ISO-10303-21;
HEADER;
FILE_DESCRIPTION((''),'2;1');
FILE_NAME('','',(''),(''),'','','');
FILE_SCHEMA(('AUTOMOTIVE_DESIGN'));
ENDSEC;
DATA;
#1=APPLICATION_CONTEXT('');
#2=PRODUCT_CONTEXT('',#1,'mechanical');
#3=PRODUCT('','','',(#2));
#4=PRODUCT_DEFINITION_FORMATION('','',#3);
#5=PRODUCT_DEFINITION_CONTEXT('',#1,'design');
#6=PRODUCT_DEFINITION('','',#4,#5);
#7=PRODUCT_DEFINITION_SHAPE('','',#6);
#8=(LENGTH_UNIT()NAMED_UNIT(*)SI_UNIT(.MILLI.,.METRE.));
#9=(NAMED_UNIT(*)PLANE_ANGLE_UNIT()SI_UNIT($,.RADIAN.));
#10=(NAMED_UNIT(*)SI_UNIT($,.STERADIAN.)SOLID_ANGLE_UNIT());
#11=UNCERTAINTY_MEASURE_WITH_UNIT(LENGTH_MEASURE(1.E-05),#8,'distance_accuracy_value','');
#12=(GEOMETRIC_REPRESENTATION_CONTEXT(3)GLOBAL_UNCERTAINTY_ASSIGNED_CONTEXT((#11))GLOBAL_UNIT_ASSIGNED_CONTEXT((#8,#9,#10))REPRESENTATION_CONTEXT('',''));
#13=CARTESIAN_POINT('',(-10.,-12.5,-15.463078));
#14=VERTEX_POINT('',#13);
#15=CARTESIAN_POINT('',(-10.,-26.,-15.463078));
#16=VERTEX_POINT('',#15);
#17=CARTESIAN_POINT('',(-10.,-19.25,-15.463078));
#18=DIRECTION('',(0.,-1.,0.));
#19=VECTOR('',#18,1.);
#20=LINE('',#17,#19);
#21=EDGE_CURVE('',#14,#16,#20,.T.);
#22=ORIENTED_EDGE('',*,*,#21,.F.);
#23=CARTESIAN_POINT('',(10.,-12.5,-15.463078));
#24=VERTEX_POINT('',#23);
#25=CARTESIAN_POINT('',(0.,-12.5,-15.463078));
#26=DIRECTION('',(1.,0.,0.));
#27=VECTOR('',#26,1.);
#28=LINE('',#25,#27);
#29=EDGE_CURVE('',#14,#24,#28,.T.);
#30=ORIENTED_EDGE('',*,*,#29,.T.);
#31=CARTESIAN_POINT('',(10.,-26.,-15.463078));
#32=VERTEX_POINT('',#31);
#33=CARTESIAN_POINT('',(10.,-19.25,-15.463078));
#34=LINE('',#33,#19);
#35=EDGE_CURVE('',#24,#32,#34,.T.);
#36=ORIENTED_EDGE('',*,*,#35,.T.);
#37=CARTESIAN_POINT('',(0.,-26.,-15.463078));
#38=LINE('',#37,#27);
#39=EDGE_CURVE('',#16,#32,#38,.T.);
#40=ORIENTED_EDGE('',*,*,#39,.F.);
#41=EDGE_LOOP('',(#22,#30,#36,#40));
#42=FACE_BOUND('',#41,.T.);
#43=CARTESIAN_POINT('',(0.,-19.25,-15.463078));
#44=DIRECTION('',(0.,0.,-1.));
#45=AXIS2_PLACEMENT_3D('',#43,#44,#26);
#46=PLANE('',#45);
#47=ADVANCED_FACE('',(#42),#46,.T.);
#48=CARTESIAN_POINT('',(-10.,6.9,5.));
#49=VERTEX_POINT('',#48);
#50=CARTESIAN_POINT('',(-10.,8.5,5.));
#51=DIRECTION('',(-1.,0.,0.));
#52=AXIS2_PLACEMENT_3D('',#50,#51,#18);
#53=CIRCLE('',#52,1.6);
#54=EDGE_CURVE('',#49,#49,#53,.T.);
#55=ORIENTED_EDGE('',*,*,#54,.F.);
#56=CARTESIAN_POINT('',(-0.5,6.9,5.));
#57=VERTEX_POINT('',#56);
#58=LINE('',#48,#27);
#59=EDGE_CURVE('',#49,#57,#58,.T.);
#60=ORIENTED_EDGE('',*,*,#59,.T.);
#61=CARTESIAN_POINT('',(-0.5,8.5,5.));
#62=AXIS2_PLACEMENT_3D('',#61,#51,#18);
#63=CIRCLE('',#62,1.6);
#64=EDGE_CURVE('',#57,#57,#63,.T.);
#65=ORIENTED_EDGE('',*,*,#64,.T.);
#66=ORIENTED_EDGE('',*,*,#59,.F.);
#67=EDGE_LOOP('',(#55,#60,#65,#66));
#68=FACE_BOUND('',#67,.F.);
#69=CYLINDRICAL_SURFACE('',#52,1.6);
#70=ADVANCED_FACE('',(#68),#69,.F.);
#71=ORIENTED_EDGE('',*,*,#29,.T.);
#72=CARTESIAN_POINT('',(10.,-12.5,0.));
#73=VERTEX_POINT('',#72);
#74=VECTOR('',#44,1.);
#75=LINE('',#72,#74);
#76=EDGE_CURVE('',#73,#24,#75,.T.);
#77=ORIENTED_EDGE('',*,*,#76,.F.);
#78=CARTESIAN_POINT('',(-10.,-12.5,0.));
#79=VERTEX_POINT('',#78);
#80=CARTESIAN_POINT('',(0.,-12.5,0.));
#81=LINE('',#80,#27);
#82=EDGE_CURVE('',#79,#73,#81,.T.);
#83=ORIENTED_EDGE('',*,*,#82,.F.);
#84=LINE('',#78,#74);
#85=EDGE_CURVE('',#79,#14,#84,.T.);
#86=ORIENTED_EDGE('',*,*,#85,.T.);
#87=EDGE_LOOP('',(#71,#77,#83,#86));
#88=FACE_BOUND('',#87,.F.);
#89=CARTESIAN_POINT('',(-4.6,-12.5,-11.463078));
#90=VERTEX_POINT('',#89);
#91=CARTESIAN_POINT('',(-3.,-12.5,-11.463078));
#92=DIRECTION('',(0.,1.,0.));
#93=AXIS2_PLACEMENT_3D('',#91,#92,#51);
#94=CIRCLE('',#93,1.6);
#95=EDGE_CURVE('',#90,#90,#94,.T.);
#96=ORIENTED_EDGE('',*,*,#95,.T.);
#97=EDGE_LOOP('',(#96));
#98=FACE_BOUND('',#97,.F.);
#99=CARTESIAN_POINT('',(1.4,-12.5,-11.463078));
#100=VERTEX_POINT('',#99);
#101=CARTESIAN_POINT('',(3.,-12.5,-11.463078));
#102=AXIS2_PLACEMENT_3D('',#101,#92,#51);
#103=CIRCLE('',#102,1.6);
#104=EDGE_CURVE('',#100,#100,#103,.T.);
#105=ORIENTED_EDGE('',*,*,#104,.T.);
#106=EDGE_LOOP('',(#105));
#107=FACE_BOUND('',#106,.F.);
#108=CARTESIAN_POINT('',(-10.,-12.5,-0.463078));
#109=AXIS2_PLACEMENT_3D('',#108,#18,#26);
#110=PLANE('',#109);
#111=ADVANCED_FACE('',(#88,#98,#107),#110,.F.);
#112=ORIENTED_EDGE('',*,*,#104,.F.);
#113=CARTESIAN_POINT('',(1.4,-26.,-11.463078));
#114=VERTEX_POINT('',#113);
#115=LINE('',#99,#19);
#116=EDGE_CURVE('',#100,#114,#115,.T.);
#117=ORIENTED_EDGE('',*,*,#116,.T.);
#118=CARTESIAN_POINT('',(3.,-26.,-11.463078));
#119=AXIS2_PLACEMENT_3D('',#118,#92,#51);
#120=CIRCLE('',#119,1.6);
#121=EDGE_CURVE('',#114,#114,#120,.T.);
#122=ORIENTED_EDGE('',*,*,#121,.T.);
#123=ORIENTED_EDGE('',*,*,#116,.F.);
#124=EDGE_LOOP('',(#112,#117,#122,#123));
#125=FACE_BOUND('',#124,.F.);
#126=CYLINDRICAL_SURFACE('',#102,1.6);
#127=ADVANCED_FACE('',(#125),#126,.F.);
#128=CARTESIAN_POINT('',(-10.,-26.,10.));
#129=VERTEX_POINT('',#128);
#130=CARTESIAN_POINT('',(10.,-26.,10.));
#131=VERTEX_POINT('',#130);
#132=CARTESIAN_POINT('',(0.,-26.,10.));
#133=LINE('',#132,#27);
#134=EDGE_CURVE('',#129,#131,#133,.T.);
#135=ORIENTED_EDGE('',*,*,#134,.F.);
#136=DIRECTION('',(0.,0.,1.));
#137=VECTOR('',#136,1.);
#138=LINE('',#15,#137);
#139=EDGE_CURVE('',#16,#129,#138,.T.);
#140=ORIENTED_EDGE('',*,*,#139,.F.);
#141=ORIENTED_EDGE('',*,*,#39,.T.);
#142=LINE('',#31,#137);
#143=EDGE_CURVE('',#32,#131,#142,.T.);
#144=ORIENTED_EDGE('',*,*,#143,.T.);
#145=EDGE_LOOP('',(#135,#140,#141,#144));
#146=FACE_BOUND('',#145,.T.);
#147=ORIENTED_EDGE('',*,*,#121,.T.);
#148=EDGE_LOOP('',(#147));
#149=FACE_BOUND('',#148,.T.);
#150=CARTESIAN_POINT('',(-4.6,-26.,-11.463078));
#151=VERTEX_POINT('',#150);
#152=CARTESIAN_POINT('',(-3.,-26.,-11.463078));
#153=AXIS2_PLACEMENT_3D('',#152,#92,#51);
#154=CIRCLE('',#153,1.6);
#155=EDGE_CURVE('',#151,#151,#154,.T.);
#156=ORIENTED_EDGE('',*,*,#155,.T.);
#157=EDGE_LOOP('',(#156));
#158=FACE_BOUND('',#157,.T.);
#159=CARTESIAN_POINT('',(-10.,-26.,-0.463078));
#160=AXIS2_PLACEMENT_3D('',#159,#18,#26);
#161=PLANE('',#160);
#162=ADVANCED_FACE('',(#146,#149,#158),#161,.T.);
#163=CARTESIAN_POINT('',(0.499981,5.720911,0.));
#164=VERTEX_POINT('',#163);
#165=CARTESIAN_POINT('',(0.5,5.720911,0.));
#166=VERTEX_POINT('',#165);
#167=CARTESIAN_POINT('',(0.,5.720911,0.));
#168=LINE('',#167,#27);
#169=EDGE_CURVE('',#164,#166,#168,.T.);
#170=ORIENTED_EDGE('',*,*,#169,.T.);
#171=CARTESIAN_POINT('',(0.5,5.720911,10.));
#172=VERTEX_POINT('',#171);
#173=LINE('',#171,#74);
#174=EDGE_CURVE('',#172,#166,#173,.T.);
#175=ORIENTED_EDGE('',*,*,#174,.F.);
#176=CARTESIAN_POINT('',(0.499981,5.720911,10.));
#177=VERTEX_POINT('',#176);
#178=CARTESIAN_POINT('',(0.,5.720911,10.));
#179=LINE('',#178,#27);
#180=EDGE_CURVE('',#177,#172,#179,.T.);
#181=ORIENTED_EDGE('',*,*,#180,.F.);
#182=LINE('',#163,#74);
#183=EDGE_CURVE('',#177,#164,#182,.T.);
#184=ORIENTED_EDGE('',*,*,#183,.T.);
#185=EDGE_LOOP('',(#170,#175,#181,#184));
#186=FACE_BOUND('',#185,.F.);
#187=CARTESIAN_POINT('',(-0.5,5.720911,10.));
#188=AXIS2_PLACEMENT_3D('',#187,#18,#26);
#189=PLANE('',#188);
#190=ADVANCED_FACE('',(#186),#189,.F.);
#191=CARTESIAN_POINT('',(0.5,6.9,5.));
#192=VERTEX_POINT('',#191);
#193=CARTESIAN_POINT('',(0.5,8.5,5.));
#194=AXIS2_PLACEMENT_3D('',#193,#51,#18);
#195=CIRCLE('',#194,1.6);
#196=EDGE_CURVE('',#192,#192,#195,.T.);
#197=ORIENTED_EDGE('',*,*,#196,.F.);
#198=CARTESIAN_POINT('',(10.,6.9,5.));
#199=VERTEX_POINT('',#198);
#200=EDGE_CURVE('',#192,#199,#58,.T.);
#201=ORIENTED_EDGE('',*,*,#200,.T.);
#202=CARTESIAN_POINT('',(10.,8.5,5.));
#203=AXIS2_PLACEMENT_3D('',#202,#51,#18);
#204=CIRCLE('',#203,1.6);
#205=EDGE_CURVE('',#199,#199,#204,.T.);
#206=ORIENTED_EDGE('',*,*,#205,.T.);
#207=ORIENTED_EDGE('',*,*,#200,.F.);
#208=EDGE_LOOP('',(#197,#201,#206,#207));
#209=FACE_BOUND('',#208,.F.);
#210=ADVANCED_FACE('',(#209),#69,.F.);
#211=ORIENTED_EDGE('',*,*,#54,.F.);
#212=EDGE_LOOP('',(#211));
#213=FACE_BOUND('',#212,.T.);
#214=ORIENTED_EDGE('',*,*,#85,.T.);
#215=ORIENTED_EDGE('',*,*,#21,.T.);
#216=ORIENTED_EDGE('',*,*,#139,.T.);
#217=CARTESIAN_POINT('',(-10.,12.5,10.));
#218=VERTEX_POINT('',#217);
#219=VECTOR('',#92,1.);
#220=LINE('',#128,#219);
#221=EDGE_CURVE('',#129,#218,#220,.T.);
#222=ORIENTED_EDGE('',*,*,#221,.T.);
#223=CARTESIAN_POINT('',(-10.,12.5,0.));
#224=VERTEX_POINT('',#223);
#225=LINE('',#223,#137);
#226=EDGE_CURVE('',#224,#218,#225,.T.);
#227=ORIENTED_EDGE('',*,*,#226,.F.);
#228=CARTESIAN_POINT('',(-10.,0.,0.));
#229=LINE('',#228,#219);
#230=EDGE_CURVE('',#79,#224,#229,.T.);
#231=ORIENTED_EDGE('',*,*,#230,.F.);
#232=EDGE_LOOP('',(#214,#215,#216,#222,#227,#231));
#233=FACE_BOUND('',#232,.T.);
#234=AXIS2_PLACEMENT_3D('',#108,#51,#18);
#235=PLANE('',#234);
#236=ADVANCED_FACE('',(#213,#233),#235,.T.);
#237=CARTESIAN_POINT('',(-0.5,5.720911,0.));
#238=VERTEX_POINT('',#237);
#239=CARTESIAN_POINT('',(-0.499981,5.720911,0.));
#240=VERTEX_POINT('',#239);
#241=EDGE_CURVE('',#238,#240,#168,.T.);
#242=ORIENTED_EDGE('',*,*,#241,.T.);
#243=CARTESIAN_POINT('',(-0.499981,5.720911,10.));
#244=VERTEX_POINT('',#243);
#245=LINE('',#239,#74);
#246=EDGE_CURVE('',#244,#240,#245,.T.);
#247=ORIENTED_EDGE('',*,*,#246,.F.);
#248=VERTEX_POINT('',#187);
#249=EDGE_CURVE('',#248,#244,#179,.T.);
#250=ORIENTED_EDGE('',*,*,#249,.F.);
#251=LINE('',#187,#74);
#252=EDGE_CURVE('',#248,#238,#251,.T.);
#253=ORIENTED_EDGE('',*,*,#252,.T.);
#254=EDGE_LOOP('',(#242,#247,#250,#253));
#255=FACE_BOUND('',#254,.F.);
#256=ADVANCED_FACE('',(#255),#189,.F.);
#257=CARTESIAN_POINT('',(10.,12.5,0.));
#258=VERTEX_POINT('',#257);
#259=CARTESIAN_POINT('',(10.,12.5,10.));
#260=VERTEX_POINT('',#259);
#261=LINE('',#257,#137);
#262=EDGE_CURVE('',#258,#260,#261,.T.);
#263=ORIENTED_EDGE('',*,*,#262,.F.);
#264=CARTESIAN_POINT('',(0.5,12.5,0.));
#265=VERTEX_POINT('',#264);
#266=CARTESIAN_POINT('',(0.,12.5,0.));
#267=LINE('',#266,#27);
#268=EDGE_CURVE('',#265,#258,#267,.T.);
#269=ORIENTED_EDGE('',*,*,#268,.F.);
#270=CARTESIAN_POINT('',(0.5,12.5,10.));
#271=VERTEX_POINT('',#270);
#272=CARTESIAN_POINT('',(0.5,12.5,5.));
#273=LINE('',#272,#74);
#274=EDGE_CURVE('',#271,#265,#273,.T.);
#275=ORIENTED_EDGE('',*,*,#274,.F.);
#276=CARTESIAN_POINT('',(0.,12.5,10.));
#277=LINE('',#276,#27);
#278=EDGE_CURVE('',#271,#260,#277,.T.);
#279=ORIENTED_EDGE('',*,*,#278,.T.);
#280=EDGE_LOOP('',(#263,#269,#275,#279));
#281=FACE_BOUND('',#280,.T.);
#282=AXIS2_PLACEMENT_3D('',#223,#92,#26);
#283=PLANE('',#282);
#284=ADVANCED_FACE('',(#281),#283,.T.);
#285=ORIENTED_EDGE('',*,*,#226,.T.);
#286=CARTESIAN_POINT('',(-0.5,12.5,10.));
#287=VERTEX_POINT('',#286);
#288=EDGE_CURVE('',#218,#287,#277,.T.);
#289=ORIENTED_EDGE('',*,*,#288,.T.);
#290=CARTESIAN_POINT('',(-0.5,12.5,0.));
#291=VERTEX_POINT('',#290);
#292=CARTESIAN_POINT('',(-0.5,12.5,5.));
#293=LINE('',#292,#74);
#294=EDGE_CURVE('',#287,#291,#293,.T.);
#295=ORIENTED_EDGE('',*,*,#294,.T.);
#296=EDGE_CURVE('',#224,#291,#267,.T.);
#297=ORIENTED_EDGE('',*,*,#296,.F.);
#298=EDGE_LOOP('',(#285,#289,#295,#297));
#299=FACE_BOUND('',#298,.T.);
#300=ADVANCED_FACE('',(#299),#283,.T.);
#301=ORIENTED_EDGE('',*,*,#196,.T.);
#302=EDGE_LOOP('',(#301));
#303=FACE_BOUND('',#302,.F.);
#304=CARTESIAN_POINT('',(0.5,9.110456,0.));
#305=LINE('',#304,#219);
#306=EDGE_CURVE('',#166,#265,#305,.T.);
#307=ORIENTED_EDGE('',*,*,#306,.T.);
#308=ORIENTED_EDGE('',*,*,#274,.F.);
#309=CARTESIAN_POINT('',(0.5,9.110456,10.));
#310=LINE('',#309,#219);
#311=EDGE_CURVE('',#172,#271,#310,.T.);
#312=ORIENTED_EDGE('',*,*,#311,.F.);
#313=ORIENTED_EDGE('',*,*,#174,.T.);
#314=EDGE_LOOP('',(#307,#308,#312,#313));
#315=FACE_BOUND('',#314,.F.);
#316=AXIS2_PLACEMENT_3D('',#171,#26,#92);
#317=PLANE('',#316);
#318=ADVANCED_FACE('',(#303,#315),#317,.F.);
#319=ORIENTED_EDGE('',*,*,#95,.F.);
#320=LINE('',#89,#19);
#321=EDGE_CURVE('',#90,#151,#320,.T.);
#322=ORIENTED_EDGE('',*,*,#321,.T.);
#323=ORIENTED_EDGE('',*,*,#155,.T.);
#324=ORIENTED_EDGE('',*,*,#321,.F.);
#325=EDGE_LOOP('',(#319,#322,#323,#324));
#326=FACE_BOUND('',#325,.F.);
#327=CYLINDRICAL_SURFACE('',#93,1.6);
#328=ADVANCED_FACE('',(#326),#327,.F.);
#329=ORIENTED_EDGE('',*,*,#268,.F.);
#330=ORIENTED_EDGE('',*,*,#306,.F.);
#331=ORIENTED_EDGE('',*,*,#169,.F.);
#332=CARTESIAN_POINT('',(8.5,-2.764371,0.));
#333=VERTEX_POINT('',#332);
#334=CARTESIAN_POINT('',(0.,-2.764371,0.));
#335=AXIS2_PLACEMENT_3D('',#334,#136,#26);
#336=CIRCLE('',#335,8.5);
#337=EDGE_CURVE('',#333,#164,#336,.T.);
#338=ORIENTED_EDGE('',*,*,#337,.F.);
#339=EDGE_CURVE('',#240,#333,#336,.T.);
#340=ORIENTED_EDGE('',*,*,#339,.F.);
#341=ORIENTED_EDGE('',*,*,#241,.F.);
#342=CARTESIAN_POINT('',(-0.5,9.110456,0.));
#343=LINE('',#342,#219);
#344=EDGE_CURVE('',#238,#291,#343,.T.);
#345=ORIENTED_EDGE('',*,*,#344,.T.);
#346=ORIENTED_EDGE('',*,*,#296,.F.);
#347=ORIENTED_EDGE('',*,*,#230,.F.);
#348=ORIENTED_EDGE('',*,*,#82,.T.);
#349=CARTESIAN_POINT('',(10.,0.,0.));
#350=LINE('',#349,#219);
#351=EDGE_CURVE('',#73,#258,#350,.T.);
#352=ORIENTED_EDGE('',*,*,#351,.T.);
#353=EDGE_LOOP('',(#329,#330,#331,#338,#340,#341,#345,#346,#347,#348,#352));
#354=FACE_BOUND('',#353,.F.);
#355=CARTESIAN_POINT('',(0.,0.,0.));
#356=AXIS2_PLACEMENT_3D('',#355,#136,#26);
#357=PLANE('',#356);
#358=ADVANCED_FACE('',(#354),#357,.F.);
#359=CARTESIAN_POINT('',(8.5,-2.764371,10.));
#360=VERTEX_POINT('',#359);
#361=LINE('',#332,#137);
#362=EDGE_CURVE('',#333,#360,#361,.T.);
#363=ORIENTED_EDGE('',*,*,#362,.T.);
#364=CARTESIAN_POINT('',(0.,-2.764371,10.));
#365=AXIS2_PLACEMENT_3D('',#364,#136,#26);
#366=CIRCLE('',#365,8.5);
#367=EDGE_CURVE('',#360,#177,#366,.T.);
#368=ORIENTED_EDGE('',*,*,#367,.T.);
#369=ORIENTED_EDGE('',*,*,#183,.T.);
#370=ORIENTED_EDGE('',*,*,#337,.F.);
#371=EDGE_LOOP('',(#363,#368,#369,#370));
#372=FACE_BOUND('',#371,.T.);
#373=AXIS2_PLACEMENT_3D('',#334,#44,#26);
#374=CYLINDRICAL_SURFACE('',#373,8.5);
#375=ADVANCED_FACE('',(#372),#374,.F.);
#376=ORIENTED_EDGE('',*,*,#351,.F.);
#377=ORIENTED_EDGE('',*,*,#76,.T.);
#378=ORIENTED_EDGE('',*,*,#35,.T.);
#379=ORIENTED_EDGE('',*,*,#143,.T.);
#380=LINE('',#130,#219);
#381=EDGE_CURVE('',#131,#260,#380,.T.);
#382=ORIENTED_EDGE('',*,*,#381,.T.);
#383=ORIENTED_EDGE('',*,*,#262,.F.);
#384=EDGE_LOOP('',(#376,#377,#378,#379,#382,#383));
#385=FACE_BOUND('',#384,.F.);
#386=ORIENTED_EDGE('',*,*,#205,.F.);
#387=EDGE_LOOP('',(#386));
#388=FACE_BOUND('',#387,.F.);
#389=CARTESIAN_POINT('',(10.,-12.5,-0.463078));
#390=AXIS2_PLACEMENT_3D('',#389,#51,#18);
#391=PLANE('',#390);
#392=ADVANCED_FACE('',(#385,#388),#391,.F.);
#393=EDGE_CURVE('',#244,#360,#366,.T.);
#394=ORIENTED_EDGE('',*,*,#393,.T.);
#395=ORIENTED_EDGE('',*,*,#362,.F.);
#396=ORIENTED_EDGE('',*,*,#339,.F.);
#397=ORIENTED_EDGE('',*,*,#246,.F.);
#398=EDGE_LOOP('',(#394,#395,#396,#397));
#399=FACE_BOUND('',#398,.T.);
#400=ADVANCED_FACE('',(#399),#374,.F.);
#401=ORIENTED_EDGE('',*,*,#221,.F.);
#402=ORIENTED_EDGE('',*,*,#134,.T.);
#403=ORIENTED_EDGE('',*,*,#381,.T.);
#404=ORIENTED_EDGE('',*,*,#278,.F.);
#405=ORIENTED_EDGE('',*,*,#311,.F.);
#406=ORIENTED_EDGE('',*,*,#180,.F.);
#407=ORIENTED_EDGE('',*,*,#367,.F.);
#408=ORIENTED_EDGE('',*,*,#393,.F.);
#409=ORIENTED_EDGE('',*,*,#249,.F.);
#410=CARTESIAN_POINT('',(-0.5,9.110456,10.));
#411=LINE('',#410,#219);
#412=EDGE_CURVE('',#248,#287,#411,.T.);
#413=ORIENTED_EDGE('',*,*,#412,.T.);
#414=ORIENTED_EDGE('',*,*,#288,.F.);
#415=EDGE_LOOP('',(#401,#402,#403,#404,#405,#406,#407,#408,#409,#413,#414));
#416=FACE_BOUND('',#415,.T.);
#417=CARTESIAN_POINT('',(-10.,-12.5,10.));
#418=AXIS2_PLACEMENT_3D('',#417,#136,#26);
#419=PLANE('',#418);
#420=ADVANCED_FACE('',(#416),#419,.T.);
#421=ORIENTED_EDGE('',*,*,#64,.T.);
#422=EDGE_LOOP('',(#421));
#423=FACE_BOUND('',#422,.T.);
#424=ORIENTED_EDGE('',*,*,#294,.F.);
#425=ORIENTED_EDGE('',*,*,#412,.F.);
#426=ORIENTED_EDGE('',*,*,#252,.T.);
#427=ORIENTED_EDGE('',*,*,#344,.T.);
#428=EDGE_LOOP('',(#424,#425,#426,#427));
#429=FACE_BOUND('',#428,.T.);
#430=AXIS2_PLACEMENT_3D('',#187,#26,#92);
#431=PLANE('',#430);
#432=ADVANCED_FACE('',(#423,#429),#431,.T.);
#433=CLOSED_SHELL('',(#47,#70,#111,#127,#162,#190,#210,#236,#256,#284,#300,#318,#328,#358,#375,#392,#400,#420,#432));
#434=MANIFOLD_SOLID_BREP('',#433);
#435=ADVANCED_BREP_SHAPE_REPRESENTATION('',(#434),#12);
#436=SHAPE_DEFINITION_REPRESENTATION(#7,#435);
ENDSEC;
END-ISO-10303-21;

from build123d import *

# Parameters (mm, degrees)
F0_W      = 20
F0_H      = 25
F0_R      = 8.5
F1_DEPTH  = 10
F2_W      = 1
F2_H      = 6.779089
F3_DEPTH  = 10
F4_R      = 1.6
F5_DEPTH  = 20
F6_W      = 20
F6_H      = 10.463078
F7_DEPTH  = 13.5
F8_W      = 20
F8_H      = 13.5
F9_DEPTH  = 15
F10_R     = 1.6
F11_DEPTH = 14


with BuildPart() as f1:
    # F0 (on Top) → F1 (new body)
    with BuildSketch(Plane.XY):
        Rectangle(F0_W, F0_H)
        with Locations((0, -2.764371)):
            Circle(F0_R, mode=Mode.SUBTRACT)
    extrude(amount=F1_DEPTH)

    # F2 (on face) → F3 (cut)
    with BuildSketch(Plane.XY.offset(10)):
        with Locations((0, 9.110456)):
            Rectangle(F2_W, F2_H)
    extrude(amount=-F3_DEPTH, mode=Mode.SUBTRACT)

    # F4 (on face) → F5 (cut)
    with BuildSketch(Plane(origin=(-10, 0, 0), x_dir=(0, -1, 0), z_dir=(-1, 0, 0))):
        with Locations((-8.5, 5)):
            Circle(F4_R)
    extrude(amount=-F5_DEPTH, mode=Mode.SUBTRACT)

    # F6 (on face) → F7 (join)
    with BuildSketch(Plane.XZ.offset(12.5)):
        with Locations((0, 4.768461)):
            Rectangle(F6_W, F6_H)
    extrude(amount=F7_DEPTH)

    # F8 (on face) → F9 (join)
    with BuildSketch(Plane(origin=(0, 0, -0.463078), x_dir=(1, 0, 0), z_dir=(0, 0, -1))):
        with Locations((0, 19.25)):
            Rectangle(F8_W, F8_H)
    extrude(amount=F9_DEPTH)

    # F10 (on face) → F11 (cut)
    with BuildSketch(Plane(origin=(0, -12.5, 0), x_dir=(-1, 0, 0), z_dir=(0, 1, 0))):
        with Locations((-3, -11.463078)):
            Circle(F10_R)
        with Locations((3, -11.463078)):
            Circle(F10_R)
    extrude(amount=-F11_DEPTH, mode=Mode.SUBTRACT)


solid = f1.part
